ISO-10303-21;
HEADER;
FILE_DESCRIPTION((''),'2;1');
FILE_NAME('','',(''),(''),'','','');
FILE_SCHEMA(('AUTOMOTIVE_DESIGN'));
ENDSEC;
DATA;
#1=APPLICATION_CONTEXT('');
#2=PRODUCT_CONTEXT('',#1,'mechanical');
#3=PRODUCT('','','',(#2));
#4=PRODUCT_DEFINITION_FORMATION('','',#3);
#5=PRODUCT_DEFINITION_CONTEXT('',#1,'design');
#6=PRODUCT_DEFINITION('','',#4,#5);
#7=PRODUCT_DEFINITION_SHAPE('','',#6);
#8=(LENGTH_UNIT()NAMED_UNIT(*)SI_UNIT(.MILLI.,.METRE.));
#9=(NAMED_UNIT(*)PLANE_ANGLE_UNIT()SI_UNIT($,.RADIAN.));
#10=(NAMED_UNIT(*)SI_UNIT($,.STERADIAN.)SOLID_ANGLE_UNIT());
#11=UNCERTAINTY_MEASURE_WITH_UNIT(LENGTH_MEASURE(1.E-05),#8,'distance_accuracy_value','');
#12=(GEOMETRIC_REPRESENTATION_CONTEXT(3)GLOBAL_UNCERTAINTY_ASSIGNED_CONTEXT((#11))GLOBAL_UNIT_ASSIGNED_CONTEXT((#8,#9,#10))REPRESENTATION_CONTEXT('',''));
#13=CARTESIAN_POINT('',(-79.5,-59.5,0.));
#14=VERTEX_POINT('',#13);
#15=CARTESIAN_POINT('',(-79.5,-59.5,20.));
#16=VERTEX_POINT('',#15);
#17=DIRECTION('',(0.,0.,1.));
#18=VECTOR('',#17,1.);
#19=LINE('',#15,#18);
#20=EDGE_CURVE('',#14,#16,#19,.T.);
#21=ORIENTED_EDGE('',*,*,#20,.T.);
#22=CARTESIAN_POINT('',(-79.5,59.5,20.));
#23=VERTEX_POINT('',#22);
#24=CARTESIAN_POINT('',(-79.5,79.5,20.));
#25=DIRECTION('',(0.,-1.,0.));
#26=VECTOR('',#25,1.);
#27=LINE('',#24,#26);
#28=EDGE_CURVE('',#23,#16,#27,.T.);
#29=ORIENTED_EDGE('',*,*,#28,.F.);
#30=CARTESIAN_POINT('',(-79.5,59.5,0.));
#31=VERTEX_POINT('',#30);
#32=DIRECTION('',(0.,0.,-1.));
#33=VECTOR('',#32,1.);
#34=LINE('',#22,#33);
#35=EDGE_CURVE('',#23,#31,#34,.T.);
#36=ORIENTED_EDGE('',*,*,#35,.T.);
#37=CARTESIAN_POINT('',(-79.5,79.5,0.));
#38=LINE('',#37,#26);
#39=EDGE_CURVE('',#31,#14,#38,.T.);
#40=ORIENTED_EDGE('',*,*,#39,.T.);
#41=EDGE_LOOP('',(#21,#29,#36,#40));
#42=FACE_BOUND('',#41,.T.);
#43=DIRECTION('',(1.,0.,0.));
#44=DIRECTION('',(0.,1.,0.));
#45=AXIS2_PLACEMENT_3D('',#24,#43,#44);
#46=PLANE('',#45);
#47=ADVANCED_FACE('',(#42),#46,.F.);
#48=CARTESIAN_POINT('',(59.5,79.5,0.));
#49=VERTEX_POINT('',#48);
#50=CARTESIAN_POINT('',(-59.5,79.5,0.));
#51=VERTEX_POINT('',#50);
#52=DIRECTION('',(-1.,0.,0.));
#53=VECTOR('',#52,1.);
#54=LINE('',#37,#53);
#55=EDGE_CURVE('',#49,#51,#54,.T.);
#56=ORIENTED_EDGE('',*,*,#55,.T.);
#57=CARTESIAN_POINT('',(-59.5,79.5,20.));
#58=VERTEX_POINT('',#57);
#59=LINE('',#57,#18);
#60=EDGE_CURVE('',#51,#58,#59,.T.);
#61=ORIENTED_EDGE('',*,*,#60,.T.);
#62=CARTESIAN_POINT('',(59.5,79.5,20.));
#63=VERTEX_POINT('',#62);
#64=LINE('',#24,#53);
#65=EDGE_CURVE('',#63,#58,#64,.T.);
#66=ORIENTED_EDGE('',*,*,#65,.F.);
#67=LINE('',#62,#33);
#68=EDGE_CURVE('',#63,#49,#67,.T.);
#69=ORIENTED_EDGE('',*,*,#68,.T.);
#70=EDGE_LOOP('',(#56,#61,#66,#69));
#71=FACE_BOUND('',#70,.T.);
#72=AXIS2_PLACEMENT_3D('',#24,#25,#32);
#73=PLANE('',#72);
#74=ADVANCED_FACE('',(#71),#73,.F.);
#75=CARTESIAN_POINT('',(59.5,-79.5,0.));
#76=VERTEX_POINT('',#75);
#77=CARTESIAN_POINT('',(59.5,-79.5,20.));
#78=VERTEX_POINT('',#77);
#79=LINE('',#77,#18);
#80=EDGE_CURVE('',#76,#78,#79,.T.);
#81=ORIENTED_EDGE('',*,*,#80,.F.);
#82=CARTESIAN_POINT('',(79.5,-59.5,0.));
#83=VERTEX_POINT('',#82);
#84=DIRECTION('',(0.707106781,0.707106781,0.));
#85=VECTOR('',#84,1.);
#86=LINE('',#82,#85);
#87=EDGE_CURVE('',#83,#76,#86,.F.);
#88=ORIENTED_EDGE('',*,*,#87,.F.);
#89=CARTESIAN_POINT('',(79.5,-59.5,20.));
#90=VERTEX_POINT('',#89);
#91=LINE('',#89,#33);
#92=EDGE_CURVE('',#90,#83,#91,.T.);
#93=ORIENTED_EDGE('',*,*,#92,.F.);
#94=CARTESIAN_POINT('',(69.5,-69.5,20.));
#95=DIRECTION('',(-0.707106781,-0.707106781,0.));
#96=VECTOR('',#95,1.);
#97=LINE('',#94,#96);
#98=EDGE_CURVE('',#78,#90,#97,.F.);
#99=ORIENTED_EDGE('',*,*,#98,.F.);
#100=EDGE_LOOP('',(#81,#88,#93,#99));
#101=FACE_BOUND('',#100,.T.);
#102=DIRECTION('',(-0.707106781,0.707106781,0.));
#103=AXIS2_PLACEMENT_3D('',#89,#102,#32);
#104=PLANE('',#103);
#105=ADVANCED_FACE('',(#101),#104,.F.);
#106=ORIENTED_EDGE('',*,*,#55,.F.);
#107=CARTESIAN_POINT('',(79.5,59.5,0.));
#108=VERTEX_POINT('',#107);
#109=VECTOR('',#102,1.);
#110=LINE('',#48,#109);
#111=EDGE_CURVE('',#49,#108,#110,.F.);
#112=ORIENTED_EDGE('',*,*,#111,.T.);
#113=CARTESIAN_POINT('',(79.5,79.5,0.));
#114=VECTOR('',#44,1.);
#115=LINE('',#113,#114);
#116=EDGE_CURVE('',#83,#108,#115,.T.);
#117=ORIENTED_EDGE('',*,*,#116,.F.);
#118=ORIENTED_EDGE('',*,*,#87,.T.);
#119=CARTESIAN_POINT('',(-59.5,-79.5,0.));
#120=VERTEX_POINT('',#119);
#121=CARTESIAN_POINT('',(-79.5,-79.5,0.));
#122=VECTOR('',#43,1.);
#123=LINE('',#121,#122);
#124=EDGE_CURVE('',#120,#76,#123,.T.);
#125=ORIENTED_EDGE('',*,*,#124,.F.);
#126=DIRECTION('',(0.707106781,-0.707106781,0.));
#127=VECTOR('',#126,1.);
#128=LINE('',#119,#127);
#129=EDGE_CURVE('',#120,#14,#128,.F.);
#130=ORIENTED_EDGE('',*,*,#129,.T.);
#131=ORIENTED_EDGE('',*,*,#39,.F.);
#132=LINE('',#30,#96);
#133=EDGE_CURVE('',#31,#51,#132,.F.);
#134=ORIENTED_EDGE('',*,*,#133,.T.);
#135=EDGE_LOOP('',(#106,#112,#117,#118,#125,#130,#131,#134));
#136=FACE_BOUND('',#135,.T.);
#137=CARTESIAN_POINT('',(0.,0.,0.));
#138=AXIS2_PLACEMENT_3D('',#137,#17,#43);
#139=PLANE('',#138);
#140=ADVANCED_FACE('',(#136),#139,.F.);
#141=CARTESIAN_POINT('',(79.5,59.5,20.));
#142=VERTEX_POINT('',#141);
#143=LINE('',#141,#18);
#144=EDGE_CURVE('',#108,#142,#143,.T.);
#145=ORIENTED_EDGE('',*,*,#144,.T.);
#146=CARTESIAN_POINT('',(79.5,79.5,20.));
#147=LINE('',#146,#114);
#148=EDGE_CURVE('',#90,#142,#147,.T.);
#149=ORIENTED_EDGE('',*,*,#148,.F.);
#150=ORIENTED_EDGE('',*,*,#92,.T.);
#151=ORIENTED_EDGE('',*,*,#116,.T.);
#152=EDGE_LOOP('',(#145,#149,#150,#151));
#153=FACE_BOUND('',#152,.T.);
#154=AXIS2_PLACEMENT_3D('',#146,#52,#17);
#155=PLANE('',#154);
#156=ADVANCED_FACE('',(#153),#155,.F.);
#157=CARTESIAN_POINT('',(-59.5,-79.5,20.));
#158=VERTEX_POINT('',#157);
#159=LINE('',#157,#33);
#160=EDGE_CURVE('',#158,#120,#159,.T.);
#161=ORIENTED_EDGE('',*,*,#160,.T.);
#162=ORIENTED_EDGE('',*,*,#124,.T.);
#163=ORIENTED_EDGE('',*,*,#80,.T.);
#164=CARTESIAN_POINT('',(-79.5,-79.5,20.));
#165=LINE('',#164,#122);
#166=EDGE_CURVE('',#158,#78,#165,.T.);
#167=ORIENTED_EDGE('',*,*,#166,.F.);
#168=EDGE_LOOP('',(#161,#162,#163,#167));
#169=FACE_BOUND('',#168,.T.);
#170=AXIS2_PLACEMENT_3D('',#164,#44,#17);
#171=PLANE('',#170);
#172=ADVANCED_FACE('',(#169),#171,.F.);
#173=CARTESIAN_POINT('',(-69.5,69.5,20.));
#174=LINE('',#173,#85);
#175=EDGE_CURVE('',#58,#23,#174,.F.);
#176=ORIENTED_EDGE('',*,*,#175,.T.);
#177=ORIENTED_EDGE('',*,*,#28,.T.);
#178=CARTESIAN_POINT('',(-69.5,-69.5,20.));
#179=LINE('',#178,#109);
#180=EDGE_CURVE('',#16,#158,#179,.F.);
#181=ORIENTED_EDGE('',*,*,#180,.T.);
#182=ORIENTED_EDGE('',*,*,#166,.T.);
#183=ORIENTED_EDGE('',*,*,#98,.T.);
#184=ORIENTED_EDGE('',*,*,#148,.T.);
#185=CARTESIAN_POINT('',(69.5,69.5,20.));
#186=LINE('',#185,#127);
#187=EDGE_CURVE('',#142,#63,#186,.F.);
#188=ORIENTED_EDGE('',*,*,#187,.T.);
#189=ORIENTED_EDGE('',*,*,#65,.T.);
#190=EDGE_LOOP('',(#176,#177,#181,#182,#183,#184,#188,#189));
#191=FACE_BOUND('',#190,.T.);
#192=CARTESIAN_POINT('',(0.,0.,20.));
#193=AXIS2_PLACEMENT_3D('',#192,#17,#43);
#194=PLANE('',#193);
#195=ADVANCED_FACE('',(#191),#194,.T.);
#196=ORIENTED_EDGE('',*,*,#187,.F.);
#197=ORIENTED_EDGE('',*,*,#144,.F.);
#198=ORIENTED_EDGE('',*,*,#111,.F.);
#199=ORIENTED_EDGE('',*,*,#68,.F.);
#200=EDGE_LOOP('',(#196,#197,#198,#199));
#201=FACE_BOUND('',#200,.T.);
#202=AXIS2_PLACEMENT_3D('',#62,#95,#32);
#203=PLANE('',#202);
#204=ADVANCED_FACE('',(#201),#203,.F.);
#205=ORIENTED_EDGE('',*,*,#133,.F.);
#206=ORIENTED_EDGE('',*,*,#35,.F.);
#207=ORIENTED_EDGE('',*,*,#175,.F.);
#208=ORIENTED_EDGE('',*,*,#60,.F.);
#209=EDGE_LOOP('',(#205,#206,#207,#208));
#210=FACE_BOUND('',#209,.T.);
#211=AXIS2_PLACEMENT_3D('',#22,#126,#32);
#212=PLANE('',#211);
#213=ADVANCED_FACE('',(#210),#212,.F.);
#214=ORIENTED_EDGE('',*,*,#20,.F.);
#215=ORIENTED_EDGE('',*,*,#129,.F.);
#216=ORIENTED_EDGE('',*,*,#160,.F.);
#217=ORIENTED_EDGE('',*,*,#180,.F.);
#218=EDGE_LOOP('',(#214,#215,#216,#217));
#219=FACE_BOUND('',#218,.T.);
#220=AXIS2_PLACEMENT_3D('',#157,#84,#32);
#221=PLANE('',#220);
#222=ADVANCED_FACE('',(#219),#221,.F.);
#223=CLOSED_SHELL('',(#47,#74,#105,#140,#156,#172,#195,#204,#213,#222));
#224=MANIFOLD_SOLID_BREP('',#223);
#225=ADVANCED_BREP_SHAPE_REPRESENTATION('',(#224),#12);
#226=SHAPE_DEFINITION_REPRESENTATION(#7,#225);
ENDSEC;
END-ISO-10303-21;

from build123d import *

# Parameters (mm, degrees)
SKETCH_1_W      = 159
SKETCH_1_H      = 159
EXTRUDE_1_DEPTH = 20
CHAMFER_1_SIZE  = 20


with BuildPart() as part:
    # 草图1 → 凸台-拉伸1 (new body)
    with BuildSketch(Plane.XY):
        Rectangle(SKETCH_1_W, SKETCH_1_H)
    extrude(amount=EXTRUDE_1_DEPTH)

    # 倒角1
    chamfer_1_edges = [part.edges().sort_by_distance(p)[0] for p in [
        (79.5, -79.5, 10),
        (-79.5, -79.5, 10),
        (-79.5, 79.5, 10),
        (79.5, 79.5, 10),
    ]]
    chamfer(chamfer_1_edges, length=CHAMFER_1_SIZE)


solid = part.part
